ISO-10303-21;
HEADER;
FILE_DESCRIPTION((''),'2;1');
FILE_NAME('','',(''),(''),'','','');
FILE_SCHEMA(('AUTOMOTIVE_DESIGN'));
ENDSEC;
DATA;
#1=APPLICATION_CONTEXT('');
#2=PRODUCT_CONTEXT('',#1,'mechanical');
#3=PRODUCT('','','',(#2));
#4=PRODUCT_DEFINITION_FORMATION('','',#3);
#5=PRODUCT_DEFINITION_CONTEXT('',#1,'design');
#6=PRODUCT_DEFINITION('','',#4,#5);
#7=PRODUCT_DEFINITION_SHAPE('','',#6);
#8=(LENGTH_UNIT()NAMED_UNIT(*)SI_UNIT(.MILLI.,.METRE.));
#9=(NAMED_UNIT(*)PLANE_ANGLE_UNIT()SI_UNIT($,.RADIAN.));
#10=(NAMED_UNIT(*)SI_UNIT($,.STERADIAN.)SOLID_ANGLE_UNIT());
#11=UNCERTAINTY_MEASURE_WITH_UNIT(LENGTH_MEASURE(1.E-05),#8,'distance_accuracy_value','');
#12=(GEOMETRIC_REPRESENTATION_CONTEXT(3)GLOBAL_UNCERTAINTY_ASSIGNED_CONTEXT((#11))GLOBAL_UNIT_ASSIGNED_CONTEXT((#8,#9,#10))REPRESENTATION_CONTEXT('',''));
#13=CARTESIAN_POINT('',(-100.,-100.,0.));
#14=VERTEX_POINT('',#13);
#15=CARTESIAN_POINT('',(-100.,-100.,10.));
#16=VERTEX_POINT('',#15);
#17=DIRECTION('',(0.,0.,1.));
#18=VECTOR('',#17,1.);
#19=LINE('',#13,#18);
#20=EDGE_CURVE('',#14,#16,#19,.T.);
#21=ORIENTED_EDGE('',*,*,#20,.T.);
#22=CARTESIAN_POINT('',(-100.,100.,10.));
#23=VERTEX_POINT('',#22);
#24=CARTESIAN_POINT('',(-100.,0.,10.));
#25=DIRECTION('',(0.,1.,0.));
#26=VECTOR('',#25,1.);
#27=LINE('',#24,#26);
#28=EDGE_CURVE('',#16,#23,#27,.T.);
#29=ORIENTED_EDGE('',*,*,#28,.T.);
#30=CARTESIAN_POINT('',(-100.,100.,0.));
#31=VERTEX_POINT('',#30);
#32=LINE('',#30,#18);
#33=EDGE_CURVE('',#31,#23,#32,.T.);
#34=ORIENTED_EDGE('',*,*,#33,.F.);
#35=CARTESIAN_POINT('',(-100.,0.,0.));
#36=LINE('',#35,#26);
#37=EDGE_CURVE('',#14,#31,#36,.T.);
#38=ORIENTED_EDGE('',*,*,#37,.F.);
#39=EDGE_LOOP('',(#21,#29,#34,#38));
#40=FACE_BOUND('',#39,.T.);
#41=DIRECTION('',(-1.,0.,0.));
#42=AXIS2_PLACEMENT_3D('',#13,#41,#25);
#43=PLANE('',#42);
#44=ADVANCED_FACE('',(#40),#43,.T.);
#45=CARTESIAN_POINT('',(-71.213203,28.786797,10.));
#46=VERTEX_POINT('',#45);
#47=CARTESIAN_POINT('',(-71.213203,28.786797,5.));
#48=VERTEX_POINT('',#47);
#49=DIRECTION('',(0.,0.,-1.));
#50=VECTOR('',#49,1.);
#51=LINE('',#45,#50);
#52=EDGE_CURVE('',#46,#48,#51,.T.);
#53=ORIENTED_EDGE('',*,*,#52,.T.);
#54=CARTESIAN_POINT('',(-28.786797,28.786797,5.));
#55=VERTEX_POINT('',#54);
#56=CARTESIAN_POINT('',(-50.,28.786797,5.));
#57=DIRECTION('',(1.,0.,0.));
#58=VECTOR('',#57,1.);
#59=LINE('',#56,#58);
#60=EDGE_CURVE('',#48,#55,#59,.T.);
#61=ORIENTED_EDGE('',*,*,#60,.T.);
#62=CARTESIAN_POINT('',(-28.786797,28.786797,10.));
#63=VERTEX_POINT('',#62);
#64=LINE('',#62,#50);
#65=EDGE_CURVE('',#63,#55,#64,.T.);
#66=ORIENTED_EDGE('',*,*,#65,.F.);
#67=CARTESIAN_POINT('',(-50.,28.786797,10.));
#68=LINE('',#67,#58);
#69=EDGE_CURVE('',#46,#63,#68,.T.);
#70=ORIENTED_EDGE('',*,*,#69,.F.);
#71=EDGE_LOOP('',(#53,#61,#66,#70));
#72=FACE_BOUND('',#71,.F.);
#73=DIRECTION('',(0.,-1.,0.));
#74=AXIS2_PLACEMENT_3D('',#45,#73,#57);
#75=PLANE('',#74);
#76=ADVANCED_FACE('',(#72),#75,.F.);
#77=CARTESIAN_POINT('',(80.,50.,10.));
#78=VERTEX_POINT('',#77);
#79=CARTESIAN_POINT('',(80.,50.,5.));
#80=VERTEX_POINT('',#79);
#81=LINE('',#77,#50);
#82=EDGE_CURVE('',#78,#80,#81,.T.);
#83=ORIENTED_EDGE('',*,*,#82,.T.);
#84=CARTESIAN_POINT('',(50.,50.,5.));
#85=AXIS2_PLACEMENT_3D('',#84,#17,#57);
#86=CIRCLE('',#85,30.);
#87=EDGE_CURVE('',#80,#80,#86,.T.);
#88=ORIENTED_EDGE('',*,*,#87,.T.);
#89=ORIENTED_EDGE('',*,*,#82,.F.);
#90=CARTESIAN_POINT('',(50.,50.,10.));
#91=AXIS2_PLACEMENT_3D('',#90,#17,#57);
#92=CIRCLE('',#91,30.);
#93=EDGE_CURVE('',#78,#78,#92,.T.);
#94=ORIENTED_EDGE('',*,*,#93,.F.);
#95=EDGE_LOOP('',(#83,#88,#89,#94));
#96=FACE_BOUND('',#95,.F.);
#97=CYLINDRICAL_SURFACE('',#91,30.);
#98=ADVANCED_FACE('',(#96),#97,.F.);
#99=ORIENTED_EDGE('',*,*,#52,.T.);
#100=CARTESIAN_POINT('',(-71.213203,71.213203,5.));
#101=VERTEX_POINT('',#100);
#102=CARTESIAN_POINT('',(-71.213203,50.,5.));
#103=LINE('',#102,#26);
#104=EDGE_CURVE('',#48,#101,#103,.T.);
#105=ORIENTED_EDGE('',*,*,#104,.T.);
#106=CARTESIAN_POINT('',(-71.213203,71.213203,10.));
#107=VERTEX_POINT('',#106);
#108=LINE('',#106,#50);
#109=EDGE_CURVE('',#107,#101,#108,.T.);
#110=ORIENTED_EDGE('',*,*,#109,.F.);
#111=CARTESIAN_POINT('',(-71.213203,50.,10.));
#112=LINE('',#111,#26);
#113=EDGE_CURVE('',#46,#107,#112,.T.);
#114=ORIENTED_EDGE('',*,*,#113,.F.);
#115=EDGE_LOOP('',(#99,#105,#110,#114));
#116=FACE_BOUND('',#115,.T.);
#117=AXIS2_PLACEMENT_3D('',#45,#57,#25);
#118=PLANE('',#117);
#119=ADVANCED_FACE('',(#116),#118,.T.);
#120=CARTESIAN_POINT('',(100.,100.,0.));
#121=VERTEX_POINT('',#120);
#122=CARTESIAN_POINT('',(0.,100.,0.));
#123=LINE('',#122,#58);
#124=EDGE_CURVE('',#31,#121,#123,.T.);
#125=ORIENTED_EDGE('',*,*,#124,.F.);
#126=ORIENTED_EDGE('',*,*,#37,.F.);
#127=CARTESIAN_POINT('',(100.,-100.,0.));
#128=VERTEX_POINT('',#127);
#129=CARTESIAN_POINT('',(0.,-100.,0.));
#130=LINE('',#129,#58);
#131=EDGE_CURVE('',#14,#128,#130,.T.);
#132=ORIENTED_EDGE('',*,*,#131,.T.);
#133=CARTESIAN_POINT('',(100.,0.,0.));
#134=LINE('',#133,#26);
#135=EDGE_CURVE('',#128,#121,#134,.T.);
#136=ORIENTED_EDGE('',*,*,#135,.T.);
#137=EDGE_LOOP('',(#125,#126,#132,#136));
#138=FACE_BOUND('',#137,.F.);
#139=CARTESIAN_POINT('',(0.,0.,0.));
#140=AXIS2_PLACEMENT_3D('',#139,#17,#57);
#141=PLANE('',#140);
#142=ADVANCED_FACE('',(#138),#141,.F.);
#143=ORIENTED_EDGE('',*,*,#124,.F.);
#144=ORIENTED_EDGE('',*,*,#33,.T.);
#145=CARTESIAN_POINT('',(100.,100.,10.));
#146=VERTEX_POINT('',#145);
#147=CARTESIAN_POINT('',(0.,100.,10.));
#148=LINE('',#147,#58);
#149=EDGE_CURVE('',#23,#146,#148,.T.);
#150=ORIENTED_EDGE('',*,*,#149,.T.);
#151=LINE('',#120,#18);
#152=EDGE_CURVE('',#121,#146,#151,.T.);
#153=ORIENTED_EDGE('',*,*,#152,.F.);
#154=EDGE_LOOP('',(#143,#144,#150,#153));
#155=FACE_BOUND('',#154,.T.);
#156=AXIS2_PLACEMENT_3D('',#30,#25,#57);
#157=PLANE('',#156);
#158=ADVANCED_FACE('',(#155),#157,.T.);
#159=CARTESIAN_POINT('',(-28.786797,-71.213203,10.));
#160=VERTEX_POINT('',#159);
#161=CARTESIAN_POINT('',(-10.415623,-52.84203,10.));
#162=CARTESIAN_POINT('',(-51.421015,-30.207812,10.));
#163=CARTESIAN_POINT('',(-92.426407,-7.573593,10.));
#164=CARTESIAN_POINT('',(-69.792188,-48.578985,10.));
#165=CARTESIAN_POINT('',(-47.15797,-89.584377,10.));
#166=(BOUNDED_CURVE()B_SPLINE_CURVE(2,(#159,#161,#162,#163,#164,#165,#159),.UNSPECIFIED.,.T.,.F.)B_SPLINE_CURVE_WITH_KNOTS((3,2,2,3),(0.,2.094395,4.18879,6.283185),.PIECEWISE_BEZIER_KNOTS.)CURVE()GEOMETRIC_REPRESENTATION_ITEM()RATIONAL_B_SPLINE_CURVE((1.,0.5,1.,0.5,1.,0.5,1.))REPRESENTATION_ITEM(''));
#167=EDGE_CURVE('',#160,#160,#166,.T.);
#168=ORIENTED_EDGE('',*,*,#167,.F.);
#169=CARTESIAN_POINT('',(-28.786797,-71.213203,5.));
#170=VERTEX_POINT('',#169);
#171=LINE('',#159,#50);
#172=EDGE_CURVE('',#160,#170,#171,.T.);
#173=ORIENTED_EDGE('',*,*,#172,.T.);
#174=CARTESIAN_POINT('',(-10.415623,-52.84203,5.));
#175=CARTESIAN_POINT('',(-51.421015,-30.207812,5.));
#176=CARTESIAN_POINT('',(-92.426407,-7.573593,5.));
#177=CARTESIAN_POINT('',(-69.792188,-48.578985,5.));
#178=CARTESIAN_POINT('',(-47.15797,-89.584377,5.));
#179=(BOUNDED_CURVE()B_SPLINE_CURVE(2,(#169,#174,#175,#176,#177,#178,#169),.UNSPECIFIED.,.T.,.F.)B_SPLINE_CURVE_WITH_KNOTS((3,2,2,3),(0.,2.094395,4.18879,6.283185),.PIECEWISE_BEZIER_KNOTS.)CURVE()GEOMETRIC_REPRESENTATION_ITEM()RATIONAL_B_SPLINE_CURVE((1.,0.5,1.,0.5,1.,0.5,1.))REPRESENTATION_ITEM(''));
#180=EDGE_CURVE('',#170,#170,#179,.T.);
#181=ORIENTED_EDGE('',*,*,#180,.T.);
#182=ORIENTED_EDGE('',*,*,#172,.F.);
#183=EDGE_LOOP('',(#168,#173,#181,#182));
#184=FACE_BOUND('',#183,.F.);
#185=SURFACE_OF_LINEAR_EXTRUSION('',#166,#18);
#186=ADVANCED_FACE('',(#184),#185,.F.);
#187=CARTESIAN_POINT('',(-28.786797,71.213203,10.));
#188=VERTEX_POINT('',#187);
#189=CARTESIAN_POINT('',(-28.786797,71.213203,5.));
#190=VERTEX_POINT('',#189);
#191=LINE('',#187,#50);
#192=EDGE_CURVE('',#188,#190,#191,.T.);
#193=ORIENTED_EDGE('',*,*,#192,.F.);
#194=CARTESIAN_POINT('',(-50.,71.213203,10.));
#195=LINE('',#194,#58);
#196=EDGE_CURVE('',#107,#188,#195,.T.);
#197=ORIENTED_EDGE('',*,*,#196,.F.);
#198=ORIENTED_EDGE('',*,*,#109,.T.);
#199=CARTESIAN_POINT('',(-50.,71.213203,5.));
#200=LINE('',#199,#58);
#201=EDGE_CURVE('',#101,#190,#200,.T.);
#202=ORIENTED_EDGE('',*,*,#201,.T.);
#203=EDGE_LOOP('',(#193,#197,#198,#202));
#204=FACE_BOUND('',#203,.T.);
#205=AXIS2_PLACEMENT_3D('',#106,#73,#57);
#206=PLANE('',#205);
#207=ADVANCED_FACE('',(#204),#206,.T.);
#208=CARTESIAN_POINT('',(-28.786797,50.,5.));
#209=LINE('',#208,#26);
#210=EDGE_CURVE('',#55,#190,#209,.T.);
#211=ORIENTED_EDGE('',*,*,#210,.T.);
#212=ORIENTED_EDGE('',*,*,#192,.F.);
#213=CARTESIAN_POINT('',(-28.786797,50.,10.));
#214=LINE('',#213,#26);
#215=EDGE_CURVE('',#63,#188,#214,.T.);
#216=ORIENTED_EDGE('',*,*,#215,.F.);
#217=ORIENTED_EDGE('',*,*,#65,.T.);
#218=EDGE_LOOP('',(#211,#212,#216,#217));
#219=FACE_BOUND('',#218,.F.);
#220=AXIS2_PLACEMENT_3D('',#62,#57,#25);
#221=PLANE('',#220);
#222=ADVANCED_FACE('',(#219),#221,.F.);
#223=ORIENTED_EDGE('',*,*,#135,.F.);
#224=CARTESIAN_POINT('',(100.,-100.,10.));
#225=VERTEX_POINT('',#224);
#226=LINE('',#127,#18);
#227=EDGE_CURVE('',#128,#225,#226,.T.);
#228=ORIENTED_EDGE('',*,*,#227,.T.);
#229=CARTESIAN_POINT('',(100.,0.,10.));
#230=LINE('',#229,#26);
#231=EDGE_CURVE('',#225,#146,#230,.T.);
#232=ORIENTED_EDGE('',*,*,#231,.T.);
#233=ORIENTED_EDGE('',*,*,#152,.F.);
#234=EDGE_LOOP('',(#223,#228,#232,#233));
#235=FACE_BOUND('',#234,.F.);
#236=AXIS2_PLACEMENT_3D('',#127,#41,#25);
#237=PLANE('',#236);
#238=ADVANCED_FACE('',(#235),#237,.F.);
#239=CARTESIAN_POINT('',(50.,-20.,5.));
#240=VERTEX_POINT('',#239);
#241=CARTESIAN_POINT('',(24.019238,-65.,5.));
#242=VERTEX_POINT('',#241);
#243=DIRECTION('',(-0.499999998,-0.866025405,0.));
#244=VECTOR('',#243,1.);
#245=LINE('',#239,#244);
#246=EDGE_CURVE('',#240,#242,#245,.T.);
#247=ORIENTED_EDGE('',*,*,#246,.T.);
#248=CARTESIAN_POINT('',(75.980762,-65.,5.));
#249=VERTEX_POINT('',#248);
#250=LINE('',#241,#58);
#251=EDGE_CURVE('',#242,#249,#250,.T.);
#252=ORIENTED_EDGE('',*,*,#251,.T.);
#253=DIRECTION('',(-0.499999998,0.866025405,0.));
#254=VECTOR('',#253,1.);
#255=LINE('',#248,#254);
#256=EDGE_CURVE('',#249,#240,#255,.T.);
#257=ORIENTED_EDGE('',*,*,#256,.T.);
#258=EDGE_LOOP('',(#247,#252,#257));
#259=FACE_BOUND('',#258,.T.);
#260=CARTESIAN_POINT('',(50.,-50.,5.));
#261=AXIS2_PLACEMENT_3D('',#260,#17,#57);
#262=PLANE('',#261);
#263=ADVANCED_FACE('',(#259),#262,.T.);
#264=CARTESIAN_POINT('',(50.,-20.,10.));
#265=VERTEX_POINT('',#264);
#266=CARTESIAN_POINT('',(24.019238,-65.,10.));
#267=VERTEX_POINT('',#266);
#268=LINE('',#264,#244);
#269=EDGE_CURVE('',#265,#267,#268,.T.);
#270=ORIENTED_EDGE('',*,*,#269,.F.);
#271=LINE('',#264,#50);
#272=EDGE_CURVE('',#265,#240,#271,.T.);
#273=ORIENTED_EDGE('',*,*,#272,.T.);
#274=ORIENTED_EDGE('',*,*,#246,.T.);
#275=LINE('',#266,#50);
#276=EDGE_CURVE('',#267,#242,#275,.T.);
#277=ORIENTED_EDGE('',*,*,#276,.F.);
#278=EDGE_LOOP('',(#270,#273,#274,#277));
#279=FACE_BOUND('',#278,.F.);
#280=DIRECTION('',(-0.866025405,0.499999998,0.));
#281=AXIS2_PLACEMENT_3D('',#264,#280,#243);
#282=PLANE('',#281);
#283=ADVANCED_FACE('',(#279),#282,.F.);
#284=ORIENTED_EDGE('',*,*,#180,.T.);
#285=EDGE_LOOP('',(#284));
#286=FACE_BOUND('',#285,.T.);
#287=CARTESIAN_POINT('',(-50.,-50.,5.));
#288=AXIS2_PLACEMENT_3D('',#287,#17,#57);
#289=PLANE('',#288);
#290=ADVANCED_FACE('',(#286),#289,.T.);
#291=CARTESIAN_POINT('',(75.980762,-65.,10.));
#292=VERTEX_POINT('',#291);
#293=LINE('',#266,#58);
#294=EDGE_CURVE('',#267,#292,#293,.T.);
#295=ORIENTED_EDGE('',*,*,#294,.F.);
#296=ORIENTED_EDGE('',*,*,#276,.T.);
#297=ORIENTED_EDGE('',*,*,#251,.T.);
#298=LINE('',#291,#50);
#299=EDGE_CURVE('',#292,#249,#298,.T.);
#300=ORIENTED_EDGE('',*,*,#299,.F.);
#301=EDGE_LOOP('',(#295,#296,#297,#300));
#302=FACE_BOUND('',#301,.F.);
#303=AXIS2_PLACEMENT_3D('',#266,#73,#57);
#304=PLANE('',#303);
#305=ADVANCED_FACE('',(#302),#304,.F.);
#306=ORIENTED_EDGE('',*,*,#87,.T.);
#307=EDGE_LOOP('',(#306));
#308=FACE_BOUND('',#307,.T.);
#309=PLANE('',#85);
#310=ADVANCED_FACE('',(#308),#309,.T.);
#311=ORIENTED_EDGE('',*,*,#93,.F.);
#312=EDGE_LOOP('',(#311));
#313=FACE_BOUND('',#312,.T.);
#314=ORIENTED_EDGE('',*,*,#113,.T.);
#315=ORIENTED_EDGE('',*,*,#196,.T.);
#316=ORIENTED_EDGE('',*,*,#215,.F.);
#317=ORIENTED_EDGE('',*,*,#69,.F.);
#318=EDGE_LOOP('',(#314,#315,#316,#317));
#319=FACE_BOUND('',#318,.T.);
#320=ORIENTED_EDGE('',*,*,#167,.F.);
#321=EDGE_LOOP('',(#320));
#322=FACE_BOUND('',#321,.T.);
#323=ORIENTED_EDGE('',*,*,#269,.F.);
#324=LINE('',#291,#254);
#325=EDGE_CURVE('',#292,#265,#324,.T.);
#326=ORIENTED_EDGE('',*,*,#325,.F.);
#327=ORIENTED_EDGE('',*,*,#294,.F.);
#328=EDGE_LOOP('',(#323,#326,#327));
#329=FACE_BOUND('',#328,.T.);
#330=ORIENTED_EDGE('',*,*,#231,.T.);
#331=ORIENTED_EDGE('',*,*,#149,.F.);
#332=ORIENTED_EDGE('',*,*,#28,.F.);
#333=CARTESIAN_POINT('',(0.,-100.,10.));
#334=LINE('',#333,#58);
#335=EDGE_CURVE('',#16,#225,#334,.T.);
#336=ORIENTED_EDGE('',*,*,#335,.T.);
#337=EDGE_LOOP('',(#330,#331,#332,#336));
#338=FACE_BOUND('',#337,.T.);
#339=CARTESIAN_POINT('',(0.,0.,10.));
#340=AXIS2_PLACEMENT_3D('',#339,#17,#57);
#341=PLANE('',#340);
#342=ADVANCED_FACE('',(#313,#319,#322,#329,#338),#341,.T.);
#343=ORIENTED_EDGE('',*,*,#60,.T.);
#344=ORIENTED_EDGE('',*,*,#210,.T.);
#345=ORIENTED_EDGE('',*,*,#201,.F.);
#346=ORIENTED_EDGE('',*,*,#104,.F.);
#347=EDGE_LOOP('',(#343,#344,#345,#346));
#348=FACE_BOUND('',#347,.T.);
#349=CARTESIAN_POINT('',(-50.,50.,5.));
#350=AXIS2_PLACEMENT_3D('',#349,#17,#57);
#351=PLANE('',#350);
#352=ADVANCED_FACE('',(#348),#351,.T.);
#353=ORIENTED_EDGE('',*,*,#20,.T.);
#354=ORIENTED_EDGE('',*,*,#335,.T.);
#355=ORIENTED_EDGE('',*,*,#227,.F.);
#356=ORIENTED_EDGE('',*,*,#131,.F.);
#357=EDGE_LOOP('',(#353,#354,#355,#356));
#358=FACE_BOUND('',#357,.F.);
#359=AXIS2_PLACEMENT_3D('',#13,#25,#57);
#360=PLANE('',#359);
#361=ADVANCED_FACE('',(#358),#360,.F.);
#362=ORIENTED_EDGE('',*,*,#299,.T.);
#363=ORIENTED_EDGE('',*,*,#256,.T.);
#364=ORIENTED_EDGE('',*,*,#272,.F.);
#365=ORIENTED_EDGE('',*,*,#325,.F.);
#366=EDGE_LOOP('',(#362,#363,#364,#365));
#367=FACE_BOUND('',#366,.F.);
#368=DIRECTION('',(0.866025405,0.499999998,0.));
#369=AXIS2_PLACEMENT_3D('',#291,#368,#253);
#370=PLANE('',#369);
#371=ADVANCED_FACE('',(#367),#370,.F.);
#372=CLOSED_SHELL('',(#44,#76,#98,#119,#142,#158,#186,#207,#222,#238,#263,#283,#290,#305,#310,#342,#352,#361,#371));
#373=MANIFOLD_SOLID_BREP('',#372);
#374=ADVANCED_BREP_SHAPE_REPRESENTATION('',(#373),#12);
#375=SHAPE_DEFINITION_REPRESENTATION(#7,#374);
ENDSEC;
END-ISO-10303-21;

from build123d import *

# Parameters (mm, degrees)
SKETCH_W     = 200
SKETCH_H     = 200
PAD_DEPTH    = 10
SKETCH001_R  = 30
SKETCH001_W  = 42.426406
SKETCH001_H  = 42.426406
POCKET_DEPTH = 5


with BuildPart() as part:
    # Sketch → Pad (new body)
    with BuildSketch(Plane.XY):
        Rectangle(SKETCH_W, SKETCH_H)
    extrude(amount=PAD_DEPTH)

    # Sketch001 (on Face6 of Pad) → Pocket (cut)
    with BuildSketch(Plane.XY.offset(10)):
        with Locations((50, 50)):
            Circle(SKETCH001_R)
        with BuildLine():
            add(Edge.make_bspline(
                [(-28.786797, -71.213203), (-10.415623, -52.84203), (-51.421015, -30.207812), (-92.426407, -7.573593), (-69.792188, -48.578985), (-47.15797, -89.584377), (-28.786797, -71.213203)],
                knots=[0, 0, 0, 2.094395, 2.094395, 4.18879, 4.18879, 6.283185, 6.283185, 6.283185], degree=2, weights=[1, 0.5, 1, 0.5, 1, 0.5, 1]))
        make_face()
        Polygon((75.980762, -65), (50, -20), (24.019238, -65), align=None)
        with Locations((-50, 50)):
            Rectangle(SKETCH001_W, SKETCH001_H)
    extrude(amount=-POCKET_DEPTH, mode=Mode.SUBTRACT)


solid = part.part
